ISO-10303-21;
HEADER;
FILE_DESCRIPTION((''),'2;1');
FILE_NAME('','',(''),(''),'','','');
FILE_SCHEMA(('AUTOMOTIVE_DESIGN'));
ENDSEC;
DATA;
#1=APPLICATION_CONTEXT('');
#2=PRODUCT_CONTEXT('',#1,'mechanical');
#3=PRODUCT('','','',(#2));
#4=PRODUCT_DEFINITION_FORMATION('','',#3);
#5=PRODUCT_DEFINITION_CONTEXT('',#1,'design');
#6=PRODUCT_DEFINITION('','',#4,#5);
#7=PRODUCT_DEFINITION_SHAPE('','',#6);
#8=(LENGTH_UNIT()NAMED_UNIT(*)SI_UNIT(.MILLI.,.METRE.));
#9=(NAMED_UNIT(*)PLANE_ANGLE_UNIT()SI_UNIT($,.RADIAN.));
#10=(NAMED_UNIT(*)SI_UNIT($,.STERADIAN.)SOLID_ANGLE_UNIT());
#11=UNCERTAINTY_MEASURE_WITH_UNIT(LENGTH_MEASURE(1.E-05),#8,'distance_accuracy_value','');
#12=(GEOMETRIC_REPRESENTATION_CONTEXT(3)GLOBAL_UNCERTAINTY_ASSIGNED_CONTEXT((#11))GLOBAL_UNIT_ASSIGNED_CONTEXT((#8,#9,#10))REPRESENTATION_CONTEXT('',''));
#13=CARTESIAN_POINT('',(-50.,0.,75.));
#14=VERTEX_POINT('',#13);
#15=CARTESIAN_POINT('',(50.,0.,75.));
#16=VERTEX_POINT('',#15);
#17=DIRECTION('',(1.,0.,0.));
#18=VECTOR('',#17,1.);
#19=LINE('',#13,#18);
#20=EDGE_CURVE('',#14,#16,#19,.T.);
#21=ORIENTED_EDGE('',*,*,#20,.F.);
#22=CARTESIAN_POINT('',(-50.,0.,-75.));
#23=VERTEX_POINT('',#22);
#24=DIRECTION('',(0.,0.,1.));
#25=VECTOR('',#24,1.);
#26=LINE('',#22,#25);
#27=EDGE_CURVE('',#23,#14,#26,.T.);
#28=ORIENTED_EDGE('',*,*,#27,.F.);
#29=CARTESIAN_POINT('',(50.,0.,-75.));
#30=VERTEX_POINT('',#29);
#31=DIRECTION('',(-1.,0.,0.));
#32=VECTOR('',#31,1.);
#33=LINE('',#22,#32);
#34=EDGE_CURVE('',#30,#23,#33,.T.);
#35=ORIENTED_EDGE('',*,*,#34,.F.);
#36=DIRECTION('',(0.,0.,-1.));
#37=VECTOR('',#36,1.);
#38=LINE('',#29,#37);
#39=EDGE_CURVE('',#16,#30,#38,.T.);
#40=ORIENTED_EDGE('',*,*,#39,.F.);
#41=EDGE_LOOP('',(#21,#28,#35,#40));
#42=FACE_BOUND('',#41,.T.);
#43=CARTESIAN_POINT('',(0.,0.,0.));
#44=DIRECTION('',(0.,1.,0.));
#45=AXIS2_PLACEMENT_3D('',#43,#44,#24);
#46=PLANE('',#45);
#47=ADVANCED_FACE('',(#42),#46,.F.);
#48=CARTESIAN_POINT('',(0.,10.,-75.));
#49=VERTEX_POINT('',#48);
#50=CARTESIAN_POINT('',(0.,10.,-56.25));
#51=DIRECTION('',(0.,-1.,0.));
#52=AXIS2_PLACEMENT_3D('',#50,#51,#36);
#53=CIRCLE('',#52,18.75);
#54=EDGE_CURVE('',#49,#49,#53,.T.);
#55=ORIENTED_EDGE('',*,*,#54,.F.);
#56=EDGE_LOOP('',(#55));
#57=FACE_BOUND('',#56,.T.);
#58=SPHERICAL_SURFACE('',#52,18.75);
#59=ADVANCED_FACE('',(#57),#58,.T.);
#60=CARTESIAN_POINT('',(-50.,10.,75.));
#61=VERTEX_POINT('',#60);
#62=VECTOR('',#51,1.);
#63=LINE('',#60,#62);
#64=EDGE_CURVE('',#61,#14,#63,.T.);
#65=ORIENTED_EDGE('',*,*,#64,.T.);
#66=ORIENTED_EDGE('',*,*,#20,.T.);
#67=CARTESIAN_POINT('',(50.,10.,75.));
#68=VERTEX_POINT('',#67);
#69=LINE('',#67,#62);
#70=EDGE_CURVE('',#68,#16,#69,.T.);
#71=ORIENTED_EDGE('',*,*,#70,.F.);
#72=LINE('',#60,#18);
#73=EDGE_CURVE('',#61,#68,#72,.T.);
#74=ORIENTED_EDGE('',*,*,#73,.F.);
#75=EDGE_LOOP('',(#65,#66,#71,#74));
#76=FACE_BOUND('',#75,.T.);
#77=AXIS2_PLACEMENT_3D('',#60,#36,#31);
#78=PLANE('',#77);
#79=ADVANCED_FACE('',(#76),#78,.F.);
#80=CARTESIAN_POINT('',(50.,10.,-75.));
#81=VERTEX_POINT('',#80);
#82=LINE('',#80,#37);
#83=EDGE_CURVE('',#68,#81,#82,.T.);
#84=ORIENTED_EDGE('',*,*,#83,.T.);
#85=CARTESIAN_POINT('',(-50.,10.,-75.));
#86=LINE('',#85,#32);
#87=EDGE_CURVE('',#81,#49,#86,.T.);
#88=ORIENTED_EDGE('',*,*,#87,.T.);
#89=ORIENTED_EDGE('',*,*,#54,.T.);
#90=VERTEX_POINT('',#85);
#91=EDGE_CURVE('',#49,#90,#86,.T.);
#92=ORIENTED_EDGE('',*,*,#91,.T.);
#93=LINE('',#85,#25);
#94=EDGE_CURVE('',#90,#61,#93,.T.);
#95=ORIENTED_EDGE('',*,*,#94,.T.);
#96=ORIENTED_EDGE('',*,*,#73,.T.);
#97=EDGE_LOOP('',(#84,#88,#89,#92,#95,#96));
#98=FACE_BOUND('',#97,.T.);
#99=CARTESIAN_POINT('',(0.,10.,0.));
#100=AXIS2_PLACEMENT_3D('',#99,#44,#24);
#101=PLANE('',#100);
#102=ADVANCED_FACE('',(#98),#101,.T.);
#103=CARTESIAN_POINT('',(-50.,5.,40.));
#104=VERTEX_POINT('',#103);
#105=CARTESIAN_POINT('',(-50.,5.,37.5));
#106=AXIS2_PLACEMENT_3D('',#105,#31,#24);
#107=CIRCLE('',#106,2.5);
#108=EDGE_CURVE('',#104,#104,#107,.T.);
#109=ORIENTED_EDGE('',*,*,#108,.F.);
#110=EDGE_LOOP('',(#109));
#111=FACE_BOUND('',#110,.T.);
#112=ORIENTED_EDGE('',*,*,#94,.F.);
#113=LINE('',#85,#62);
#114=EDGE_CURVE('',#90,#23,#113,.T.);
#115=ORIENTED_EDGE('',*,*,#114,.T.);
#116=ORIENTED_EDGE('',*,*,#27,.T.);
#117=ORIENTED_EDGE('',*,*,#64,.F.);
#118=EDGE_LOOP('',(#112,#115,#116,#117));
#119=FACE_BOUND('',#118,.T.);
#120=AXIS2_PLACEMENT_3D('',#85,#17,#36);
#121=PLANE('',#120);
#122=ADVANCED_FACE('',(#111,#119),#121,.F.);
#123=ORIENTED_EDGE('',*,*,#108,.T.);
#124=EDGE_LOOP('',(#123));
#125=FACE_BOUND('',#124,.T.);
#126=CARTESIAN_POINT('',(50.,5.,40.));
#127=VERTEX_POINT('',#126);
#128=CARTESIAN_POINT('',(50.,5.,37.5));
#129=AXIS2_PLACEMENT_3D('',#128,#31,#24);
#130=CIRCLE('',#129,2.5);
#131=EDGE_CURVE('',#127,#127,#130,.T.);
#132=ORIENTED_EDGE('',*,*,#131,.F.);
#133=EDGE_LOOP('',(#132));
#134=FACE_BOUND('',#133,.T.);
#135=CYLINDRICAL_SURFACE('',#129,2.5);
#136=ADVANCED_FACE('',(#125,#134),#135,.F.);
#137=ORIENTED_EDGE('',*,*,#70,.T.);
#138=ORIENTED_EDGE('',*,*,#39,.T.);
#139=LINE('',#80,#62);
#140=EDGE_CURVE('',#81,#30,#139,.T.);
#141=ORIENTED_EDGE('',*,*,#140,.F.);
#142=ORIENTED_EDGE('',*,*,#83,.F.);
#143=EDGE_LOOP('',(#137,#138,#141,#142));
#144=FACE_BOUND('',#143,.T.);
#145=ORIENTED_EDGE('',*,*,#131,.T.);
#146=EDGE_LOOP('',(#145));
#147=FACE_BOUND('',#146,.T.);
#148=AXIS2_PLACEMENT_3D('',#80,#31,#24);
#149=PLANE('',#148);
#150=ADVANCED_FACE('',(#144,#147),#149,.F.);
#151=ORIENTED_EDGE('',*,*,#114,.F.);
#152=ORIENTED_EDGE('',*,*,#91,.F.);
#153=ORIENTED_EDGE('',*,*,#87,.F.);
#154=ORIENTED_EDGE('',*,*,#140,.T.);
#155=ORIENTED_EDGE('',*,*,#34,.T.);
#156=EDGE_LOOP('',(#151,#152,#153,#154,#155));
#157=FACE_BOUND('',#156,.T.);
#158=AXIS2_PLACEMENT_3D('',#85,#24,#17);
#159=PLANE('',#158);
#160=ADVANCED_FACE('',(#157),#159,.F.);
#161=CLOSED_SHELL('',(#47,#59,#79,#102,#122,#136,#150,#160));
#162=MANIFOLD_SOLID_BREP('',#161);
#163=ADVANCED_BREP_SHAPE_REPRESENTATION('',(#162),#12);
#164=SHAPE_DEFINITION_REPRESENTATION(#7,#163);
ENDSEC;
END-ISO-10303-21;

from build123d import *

# Parameters (mm, degrees)
SKETCH_1_W          = 100
SKETCH_1_H          = 150
EXTRUDE_1_DEPTH     = 10
REVOLVE_2_ANGLE     = 180
SKETCH_3_R          = 2.5
CUT_EXTRUDE_1_DEPTH = 129.263644498


with BuildPart() as part:
    # 草圖1 → 填料-伸長1 (new body)
    with BuildSketch(Plane(origin=(0, 0, 0), x_dir=(1, 0, 0), z_dir=(0, 1, 0))):
        Rectangle(SKETCH_1_W, SKETCH_1_H)
    extrude(amount=EXTRUDE_1_DEPTH)

    # 草圖2 → 旋轉2 (revolve)
    with BuildSketch(Plane(origin=(0, 10, 0), x_dir=(1, 0, 0), z_dir=(0, 1, 0))):
        with BuildLine():
            Line((0, 75), (0, 37.5))
            ThreePointArc((0, 37.5), (18.75, 56.25), (0, 75))
        make_face()
    revolve(axis=Axis((0, 10, -75), (0, 0, 1)), revolution_arc=REVOLVE_2_ANGLE)

    # 草圖3 → 除料-伸長1 (cut, through all)
    with BuildSketch(Plane.ZY.offset(50)):
        with Locations((37.5, 5)):
            Circle(SKETCH_3_R)
    extrude(amount=-CUT_EXTRUDE_1_DEPTH, mode=Mode.SUBTRACT)


solid = part.part
